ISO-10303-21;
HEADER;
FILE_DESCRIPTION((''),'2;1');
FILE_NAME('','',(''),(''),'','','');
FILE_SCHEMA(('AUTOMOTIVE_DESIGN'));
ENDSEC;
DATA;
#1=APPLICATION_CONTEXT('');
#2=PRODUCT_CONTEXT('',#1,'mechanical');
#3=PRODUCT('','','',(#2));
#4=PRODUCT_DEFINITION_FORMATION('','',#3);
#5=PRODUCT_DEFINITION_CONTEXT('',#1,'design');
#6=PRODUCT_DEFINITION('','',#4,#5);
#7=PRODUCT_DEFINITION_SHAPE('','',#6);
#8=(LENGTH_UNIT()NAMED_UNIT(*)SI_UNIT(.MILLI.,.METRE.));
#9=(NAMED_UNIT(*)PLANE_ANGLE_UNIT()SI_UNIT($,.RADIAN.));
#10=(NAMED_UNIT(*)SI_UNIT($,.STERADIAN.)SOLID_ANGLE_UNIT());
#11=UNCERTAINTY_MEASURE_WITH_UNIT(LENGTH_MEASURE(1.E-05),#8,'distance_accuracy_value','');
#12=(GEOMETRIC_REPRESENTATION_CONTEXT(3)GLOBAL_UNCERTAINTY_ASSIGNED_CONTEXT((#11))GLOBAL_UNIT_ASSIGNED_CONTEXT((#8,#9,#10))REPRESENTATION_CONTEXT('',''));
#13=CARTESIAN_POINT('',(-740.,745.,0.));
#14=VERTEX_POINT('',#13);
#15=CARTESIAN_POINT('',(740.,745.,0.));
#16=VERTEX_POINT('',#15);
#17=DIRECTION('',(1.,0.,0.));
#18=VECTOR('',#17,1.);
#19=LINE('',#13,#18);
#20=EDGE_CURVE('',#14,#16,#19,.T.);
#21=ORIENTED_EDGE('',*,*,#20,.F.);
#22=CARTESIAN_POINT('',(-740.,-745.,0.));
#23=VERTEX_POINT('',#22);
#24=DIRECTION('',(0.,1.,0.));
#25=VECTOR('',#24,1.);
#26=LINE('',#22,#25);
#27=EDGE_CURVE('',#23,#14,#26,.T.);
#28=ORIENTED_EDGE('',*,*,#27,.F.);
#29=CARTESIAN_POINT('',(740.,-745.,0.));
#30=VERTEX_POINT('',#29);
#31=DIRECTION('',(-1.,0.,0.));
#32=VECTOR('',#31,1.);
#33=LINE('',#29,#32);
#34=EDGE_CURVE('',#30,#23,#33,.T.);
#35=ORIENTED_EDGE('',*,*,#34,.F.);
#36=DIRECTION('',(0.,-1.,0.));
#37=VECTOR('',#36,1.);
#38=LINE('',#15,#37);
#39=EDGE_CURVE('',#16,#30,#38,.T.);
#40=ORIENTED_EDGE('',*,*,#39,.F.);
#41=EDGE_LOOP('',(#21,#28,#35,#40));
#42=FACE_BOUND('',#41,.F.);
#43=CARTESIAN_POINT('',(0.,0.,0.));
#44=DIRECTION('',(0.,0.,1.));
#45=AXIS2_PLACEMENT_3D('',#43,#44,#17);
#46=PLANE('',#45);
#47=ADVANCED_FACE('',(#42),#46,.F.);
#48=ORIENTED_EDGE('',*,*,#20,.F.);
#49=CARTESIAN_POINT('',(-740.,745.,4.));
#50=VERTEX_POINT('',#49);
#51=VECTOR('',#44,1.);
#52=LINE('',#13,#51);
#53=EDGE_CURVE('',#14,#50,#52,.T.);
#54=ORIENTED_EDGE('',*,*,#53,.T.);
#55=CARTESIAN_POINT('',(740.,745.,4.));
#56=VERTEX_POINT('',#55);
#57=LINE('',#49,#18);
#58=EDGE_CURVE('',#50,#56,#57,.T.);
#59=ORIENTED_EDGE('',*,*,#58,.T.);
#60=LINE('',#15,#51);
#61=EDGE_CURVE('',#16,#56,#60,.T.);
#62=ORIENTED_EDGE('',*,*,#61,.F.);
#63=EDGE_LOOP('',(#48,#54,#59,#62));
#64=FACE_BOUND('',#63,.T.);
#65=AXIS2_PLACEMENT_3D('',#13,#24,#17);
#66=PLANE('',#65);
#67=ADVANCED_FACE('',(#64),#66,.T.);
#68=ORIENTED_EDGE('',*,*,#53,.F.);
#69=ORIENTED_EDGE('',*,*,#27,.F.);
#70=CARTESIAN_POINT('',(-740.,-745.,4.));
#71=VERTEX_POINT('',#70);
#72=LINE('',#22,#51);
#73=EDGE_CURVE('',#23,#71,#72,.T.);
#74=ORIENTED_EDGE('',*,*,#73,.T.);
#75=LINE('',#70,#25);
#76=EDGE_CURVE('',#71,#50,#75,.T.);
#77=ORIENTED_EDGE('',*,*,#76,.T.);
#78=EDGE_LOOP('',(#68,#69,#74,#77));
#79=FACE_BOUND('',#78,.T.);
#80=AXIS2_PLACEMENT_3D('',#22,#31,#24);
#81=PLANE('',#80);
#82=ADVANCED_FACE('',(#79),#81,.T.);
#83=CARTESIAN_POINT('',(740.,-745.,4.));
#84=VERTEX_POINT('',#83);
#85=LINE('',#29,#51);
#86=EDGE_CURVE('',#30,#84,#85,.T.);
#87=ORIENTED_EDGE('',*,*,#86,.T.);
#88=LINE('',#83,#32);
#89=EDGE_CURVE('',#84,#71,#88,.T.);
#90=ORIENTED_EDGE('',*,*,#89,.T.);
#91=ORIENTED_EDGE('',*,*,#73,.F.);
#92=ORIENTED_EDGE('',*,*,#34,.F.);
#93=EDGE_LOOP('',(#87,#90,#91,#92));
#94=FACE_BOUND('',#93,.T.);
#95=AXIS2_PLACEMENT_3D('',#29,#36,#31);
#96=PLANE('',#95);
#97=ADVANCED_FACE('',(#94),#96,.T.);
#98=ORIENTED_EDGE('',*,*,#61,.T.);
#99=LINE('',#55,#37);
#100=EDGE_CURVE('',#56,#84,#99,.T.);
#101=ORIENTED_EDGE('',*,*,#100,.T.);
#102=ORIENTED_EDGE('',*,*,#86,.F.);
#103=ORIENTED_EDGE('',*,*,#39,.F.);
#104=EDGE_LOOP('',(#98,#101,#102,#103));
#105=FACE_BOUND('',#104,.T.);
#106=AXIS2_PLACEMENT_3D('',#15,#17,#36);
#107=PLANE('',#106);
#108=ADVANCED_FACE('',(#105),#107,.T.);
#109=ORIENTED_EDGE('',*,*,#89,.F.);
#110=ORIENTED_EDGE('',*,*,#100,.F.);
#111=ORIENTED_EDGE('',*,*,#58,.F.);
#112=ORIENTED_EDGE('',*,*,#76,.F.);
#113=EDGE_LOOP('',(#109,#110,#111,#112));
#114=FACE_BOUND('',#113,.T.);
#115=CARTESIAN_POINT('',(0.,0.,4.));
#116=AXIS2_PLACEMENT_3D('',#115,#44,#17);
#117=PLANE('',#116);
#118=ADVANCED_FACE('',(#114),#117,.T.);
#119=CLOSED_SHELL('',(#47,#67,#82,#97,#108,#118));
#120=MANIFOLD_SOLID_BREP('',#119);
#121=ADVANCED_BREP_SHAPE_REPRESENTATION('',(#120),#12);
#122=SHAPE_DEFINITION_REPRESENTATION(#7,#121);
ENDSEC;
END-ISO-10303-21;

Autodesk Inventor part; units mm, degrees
ref_plane "YZ Plane" through (0, 0, 0) normal (1, 0, 0) x (0, 1, 0)
ref_plane "XZ Plane" through (0, 0, 0) normal (0, 1, 0) x (-1, 0, 0)
ref_plane "XY Plane" through (0, 0, 0) normal (0, 0, 1) x (1, 0, 0)
sketch "Sketch1" plane through (0, 0, 0) normal (0, 0, 1) x (1, 0, 0)
  line L0 (740, -745) -> (-740, -745)
  line L1 (-740, -745) -> (-740, 745)
  line L2 (-740, 745) -> (740, 745)
  line L3 (740, 745) -> (740, -745)
  line L4 (740, -745) -> (-740, 745) construction
  line L5 (-740, -745) -> (740, 745) construction
  point P0 (0, 0)
  dimension "d0" = 1480
  dimension "d1" = 1490
extrude "Plate1" add sketch "Sketch1" along normal blind 4
equation "\"d0\" = Лист_ширина"
equation "\"d1\" = 0.5 * Лист_длина"
equation "\"d2\" = Thickness"
equation "\"BendRadius\" = Thickness"
equation "\"BendReliefWidth\" = Thickness"
equation "\"BendReliefDepth\" = 0.5 * Thickness"
equation "\"CornerReliefSize\" = 4 * Thickness"
equation "\"MinimumRemnant\" = 2 * Thickness"
equation "\"TransitionRadius\" = BendRadius"
equation "\"JacobiRadiusSize\" = BendRadius"
equation "\"GapSize\" = Thickness"
equation "\"Лист_ширина\" = 1480"
equation "\"Лист_длина\" = 2980"
equation "\"Thickness\" = 4"
properties part number "01.1 GBK shield" material "Steel"
